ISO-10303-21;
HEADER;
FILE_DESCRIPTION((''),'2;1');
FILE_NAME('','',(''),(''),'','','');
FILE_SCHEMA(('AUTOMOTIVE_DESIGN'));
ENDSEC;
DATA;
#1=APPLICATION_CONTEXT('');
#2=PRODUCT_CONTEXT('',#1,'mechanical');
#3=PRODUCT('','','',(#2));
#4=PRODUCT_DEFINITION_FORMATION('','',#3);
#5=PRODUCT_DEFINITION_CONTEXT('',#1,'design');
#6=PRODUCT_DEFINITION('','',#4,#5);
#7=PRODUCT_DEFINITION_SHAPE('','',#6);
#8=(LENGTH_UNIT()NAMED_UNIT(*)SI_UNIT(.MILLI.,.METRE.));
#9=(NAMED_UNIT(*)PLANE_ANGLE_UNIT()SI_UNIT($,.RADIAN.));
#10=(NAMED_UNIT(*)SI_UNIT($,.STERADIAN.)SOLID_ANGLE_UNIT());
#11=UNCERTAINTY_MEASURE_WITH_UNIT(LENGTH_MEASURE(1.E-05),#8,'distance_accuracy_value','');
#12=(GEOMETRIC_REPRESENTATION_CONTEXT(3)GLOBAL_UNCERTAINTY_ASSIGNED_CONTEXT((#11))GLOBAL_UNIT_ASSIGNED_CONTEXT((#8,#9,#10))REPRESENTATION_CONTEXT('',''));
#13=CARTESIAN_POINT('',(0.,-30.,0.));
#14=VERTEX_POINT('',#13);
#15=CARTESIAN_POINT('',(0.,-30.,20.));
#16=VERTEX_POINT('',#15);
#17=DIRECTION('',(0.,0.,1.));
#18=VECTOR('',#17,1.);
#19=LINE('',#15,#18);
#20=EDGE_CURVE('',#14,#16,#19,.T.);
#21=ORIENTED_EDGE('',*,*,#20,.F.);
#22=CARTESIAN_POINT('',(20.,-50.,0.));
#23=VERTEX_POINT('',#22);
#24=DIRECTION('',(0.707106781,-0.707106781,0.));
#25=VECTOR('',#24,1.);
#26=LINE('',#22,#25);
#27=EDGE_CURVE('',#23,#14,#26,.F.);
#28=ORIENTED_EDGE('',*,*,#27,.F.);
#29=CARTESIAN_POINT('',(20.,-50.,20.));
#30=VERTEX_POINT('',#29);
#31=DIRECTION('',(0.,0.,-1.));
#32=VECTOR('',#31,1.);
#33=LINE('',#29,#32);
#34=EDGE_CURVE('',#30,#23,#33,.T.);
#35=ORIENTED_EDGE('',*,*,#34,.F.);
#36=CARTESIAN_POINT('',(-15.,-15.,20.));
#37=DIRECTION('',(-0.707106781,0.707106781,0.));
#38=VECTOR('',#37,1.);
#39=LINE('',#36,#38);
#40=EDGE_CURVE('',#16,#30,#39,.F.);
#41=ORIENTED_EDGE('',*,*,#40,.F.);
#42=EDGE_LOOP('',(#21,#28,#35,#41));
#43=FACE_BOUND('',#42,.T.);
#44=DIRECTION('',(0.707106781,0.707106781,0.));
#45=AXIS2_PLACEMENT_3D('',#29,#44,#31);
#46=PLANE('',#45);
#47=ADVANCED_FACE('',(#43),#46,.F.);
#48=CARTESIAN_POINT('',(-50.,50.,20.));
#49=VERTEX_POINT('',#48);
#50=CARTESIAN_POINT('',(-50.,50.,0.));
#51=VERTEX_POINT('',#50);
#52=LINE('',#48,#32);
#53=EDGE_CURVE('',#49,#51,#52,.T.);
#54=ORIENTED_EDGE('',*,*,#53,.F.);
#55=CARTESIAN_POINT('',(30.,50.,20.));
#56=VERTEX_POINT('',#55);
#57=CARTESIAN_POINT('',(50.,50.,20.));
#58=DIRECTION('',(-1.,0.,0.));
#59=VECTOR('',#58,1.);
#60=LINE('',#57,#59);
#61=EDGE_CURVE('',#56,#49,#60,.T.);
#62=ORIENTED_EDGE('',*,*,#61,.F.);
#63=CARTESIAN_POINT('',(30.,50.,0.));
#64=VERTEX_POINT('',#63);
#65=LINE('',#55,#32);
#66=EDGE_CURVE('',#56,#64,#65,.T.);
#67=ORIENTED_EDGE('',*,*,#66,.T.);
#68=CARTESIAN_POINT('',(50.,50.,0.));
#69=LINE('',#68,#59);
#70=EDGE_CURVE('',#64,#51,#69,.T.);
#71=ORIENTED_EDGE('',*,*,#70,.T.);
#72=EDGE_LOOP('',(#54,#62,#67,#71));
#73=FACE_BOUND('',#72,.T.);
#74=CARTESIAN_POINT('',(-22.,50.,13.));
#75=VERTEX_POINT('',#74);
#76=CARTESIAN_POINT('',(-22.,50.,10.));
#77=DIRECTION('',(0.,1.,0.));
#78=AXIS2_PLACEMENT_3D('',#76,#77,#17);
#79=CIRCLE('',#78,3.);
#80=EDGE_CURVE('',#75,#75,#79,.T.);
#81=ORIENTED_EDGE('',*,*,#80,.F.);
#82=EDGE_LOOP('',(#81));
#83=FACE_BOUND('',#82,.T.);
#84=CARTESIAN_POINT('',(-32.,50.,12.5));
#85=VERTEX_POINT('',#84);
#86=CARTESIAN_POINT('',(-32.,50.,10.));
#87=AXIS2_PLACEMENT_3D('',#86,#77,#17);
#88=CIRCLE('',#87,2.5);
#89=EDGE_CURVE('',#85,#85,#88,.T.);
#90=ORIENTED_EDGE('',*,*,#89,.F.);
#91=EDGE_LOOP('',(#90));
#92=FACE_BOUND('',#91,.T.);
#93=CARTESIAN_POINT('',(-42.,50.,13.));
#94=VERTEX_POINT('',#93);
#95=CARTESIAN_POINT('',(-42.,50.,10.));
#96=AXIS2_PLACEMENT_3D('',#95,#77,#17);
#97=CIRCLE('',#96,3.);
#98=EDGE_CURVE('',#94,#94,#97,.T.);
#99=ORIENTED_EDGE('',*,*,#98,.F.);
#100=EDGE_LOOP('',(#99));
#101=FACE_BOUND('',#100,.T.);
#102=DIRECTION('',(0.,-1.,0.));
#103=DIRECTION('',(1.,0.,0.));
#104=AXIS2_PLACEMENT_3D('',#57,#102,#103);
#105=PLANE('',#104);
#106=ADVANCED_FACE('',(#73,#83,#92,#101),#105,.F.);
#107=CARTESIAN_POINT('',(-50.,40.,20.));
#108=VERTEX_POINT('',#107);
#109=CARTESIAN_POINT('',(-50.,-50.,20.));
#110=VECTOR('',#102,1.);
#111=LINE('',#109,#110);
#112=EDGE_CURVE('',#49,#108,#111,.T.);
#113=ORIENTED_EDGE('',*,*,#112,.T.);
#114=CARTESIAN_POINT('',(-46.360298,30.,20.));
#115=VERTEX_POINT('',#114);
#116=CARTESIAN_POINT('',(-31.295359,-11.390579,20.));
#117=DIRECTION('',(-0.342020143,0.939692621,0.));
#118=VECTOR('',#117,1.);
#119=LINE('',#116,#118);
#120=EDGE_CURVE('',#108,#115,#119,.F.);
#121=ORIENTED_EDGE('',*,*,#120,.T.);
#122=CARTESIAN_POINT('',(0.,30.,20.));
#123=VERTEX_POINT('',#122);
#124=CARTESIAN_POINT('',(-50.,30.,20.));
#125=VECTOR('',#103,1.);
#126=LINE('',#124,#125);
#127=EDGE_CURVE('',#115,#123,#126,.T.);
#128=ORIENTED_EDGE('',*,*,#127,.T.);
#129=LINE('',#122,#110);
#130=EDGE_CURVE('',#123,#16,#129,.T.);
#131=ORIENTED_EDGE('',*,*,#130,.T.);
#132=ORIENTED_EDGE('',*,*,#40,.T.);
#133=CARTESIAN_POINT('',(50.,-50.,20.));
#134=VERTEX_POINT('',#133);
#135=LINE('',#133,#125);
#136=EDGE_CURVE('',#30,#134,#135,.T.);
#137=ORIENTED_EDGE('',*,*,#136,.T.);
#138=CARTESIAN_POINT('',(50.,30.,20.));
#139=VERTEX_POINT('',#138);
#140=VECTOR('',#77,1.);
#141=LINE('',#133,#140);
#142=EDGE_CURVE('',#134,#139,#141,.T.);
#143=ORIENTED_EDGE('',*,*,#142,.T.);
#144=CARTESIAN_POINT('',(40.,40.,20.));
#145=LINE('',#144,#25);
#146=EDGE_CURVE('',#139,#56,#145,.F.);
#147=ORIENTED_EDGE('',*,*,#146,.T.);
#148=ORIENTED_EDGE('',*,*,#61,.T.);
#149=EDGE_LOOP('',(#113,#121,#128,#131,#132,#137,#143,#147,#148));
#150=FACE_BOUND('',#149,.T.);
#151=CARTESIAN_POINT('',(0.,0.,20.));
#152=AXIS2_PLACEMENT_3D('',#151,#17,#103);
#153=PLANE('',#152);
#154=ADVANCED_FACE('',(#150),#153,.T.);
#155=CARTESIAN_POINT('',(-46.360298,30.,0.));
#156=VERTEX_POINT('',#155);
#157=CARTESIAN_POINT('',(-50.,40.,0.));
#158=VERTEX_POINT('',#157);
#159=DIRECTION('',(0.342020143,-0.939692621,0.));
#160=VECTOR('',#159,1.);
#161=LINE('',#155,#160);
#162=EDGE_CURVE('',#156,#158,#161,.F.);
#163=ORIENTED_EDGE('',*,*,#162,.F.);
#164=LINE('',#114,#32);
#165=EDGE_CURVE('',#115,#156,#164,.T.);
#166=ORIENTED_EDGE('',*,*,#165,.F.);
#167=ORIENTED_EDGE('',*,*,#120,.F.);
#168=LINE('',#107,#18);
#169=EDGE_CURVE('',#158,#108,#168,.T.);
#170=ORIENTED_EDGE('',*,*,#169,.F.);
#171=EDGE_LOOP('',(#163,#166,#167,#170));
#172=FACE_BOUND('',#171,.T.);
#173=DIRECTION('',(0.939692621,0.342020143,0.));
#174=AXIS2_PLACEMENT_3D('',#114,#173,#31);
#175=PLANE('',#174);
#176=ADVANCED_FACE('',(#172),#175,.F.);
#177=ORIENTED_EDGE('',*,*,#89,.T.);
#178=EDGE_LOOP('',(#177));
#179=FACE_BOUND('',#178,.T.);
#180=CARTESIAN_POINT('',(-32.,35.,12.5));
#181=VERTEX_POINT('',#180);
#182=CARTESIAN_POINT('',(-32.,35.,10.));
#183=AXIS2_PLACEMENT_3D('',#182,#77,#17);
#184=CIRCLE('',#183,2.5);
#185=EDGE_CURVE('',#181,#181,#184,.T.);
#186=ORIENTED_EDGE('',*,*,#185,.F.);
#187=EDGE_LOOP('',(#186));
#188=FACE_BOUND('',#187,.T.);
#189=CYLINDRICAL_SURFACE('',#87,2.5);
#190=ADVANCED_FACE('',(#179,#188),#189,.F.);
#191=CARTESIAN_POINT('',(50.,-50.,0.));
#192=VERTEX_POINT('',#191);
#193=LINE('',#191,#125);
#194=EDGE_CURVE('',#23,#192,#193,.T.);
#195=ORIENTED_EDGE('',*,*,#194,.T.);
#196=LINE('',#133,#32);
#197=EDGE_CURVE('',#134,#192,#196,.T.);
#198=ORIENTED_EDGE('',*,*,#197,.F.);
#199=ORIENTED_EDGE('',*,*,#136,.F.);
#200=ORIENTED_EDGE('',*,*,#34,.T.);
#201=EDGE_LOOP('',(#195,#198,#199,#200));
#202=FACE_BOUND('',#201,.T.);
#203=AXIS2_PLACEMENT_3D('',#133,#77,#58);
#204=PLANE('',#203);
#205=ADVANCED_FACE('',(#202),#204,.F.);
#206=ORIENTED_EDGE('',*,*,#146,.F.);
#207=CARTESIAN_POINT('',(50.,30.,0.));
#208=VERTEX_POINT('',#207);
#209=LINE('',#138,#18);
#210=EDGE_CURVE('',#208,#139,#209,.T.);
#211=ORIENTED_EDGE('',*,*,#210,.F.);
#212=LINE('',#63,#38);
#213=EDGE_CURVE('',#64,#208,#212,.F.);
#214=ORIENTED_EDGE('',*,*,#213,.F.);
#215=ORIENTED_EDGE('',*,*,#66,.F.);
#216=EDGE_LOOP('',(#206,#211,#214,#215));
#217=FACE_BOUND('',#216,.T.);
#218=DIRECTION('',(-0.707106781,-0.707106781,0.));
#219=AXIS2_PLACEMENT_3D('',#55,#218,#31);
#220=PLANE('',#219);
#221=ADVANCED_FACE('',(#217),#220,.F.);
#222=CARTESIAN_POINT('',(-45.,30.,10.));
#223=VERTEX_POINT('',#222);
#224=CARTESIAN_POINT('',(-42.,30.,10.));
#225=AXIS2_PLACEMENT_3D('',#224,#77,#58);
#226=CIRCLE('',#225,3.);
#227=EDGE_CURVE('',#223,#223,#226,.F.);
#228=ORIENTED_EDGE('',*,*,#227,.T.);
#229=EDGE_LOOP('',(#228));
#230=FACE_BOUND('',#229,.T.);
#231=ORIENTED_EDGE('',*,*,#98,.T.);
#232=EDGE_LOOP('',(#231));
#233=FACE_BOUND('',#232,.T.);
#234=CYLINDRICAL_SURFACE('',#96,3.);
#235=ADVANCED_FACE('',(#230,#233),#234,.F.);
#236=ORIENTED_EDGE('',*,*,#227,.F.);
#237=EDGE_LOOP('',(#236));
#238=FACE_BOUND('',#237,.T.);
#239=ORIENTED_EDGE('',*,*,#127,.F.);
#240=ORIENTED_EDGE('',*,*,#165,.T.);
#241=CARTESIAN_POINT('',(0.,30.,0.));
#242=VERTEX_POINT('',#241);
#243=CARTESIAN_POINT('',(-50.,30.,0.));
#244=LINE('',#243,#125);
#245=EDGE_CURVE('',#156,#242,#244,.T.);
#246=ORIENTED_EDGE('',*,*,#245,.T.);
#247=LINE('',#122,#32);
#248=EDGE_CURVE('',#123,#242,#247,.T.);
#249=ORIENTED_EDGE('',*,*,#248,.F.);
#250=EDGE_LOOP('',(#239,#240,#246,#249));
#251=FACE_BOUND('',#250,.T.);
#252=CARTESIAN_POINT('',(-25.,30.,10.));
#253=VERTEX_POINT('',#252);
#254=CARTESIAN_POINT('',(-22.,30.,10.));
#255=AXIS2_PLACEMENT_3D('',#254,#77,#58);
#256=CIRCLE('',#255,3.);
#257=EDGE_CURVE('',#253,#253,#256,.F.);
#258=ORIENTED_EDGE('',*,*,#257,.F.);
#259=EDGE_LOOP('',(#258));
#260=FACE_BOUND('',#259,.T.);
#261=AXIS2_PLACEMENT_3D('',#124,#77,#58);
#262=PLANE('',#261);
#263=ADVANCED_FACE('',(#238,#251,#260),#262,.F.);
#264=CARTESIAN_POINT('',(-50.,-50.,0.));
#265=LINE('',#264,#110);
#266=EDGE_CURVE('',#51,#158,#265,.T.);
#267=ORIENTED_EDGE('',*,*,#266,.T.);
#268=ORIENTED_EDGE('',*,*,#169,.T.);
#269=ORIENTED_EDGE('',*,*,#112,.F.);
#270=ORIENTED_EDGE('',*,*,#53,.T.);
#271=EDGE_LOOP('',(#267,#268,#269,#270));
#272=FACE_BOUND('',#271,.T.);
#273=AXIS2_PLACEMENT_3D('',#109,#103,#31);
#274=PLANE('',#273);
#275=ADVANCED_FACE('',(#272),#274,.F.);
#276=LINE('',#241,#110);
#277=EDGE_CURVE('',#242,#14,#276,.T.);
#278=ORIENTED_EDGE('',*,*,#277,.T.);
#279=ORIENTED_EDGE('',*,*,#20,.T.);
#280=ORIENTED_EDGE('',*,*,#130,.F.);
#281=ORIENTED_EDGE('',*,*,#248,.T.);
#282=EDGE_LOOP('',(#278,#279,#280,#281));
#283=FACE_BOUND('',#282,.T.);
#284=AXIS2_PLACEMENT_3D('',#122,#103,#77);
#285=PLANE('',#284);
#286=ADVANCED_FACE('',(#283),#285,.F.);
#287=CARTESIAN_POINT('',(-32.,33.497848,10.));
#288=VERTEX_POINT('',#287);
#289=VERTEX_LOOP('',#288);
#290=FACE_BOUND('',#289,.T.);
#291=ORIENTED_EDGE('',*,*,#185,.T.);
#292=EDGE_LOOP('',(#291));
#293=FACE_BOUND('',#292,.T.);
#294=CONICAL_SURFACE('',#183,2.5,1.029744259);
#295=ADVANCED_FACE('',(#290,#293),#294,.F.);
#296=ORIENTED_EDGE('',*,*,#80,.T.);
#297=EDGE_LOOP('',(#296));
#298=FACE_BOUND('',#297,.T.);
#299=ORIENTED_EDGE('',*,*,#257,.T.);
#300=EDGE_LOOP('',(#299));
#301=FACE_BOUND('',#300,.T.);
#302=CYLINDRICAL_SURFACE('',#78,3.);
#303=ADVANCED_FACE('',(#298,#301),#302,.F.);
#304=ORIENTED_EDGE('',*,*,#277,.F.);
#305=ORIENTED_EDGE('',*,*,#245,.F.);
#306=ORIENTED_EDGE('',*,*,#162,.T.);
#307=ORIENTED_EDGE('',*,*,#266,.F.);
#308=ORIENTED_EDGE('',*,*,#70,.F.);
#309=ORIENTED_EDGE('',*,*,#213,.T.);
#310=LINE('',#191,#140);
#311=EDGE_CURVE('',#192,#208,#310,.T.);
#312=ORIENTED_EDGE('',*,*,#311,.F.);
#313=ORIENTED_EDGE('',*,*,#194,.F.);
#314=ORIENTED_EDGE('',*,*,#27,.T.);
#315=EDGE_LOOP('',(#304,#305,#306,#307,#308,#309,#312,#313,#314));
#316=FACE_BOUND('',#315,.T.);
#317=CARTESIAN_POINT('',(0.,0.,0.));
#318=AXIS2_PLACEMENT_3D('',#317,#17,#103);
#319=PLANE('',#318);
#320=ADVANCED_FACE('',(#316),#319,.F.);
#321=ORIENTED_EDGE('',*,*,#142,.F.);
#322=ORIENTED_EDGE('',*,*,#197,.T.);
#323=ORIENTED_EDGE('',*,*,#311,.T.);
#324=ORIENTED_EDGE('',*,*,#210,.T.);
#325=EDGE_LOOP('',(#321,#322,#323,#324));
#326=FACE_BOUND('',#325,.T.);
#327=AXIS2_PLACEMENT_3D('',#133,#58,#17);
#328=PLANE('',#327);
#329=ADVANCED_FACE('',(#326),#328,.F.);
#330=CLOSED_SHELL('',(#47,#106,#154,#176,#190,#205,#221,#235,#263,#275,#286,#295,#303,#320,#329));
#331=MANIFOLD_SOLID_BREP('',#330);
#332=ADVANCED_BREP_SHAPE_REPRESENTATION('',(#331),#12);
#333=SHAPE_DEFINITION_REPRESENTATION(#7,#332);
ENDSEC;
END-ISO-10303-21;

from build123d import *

# Parameters (mm, degrees)
SKETCH_1_W             = 100
SKETCH_1_H             = 100
EXTRUDE_1_DEPTH        = 20
MM_1_D                 = 6
MM_1_DEPTH             = 20
MM_1_TIP               = 1.802581857
HOLE_WIZARD_M6_1_D     = 5
HOLE_WIZARD_M6_1_DEPTH = 15
HOLE_WIZARD_M6_1_TIP   = 1.502151548
SKETCH_6_W             = 50
SKETCH_6_H             = 80
CUT_EXTRUDE_1_DEPTH    = 74.484692283
CHAMFER_1_SIZE         = 10
CHAMFER_1_SIZE2        = 3.639702343
CHAMFER_2_SIZE         = 20
CHAMFER_3_SIZE         = 20


with BuildPart() as part:
    # 草图1 → 凸台-拉伸1 (new body)
    with BuildSketch(Plane.XY):
        Rectangle(SKETCH_1_W, SKETCH_1_H)
    extrude(amount=EXTRUDE_1_DEPTH)

    # 大小mm 暗销孔1
    with Locations(Plane(origin=(0, 50, 0), x_dir=(1, 0, 0), z_dir=(0, 1, 0))):
        with Locations((-22, -10), (-42, -10)):
            Hole(MM_1_D / 2, depth=MM_1_DEPTH)
            with Locations((0, 0, -(MM_1_DEPTH + MM_1_TIP / 2))):  # 118° drill point
                Cone(0, MM_1_D / 2, MM_1_TIP, mode=Mode.SUBTRACT)

    # M6 螺纹孔1
    with Locations(Plane(origin=(0, 50, 0), x_dir=(1, 0, 0), z_dir=(0, 1, 0))):
        with Locations((-32, -10)):
            Hole(HOLE_WIZARD_M6_1_D / 2, depth=HOLE_WIZARD_M6_1_DEPTH)
            with Locations((0, 0, -(HOLE_WIZARD_M6_1_DEPTH + HOLE_WIZARD_M6_1_TIP / 2))):  # 118° drill point
                Cone(0, HOLE_WIZARD_M6_1_D / 2, HOLE_WIZARD_M6_1_TIP, mode=Mode.SUBTRACT)

    # 草图6 → 切除-拉伸1 (cut, through all)
    with BuildSketch(Plane(origin=(0, 0, 0), x_dir=(-1, 0, 0), z_dir=(0, 0, -1))):
        with Locations((25, -10)):
            Rectangle(SKETCH_6_W, SKETCH_6_H)
    extrude(amount=-CUT_EXTRUDE_1_DEPTH, mode=Mode.SUBTRACT)

    # 倒角1
    chamfer_1_edges = [part.edges().sort_by_distance(p)[0] for p in [
        (-50, 30, 10),
    ]]
    chamfer_1_side = [part.faces().sort_by_distance(p)[0] for p in [
        (-50, 40, 10),
    ]]
    chamfer(chamfer_1_edges, length=CHAMFER_1_SIZE, length2=CHAMFER_1_SIZE2, reference=chamfer_1_side[0])

    # 倒角2
    chamfer_2_edges = [part.edges().sort_by_distance(p)[0] for p in [
        (0, -50, 10),
    ]]
    chamfer(chamfer_2_edges, length=CHAMFER_2_SIZE)

    # 倒角3
    chamfer_3_edges = [part.edges().sort_by_distance(p)[0] for p in [
        (50, 50, 10),
    ]]
    chamfer(chamfer_3_edges, length=CHAMFER_3_SIZE)


solid = part.part
